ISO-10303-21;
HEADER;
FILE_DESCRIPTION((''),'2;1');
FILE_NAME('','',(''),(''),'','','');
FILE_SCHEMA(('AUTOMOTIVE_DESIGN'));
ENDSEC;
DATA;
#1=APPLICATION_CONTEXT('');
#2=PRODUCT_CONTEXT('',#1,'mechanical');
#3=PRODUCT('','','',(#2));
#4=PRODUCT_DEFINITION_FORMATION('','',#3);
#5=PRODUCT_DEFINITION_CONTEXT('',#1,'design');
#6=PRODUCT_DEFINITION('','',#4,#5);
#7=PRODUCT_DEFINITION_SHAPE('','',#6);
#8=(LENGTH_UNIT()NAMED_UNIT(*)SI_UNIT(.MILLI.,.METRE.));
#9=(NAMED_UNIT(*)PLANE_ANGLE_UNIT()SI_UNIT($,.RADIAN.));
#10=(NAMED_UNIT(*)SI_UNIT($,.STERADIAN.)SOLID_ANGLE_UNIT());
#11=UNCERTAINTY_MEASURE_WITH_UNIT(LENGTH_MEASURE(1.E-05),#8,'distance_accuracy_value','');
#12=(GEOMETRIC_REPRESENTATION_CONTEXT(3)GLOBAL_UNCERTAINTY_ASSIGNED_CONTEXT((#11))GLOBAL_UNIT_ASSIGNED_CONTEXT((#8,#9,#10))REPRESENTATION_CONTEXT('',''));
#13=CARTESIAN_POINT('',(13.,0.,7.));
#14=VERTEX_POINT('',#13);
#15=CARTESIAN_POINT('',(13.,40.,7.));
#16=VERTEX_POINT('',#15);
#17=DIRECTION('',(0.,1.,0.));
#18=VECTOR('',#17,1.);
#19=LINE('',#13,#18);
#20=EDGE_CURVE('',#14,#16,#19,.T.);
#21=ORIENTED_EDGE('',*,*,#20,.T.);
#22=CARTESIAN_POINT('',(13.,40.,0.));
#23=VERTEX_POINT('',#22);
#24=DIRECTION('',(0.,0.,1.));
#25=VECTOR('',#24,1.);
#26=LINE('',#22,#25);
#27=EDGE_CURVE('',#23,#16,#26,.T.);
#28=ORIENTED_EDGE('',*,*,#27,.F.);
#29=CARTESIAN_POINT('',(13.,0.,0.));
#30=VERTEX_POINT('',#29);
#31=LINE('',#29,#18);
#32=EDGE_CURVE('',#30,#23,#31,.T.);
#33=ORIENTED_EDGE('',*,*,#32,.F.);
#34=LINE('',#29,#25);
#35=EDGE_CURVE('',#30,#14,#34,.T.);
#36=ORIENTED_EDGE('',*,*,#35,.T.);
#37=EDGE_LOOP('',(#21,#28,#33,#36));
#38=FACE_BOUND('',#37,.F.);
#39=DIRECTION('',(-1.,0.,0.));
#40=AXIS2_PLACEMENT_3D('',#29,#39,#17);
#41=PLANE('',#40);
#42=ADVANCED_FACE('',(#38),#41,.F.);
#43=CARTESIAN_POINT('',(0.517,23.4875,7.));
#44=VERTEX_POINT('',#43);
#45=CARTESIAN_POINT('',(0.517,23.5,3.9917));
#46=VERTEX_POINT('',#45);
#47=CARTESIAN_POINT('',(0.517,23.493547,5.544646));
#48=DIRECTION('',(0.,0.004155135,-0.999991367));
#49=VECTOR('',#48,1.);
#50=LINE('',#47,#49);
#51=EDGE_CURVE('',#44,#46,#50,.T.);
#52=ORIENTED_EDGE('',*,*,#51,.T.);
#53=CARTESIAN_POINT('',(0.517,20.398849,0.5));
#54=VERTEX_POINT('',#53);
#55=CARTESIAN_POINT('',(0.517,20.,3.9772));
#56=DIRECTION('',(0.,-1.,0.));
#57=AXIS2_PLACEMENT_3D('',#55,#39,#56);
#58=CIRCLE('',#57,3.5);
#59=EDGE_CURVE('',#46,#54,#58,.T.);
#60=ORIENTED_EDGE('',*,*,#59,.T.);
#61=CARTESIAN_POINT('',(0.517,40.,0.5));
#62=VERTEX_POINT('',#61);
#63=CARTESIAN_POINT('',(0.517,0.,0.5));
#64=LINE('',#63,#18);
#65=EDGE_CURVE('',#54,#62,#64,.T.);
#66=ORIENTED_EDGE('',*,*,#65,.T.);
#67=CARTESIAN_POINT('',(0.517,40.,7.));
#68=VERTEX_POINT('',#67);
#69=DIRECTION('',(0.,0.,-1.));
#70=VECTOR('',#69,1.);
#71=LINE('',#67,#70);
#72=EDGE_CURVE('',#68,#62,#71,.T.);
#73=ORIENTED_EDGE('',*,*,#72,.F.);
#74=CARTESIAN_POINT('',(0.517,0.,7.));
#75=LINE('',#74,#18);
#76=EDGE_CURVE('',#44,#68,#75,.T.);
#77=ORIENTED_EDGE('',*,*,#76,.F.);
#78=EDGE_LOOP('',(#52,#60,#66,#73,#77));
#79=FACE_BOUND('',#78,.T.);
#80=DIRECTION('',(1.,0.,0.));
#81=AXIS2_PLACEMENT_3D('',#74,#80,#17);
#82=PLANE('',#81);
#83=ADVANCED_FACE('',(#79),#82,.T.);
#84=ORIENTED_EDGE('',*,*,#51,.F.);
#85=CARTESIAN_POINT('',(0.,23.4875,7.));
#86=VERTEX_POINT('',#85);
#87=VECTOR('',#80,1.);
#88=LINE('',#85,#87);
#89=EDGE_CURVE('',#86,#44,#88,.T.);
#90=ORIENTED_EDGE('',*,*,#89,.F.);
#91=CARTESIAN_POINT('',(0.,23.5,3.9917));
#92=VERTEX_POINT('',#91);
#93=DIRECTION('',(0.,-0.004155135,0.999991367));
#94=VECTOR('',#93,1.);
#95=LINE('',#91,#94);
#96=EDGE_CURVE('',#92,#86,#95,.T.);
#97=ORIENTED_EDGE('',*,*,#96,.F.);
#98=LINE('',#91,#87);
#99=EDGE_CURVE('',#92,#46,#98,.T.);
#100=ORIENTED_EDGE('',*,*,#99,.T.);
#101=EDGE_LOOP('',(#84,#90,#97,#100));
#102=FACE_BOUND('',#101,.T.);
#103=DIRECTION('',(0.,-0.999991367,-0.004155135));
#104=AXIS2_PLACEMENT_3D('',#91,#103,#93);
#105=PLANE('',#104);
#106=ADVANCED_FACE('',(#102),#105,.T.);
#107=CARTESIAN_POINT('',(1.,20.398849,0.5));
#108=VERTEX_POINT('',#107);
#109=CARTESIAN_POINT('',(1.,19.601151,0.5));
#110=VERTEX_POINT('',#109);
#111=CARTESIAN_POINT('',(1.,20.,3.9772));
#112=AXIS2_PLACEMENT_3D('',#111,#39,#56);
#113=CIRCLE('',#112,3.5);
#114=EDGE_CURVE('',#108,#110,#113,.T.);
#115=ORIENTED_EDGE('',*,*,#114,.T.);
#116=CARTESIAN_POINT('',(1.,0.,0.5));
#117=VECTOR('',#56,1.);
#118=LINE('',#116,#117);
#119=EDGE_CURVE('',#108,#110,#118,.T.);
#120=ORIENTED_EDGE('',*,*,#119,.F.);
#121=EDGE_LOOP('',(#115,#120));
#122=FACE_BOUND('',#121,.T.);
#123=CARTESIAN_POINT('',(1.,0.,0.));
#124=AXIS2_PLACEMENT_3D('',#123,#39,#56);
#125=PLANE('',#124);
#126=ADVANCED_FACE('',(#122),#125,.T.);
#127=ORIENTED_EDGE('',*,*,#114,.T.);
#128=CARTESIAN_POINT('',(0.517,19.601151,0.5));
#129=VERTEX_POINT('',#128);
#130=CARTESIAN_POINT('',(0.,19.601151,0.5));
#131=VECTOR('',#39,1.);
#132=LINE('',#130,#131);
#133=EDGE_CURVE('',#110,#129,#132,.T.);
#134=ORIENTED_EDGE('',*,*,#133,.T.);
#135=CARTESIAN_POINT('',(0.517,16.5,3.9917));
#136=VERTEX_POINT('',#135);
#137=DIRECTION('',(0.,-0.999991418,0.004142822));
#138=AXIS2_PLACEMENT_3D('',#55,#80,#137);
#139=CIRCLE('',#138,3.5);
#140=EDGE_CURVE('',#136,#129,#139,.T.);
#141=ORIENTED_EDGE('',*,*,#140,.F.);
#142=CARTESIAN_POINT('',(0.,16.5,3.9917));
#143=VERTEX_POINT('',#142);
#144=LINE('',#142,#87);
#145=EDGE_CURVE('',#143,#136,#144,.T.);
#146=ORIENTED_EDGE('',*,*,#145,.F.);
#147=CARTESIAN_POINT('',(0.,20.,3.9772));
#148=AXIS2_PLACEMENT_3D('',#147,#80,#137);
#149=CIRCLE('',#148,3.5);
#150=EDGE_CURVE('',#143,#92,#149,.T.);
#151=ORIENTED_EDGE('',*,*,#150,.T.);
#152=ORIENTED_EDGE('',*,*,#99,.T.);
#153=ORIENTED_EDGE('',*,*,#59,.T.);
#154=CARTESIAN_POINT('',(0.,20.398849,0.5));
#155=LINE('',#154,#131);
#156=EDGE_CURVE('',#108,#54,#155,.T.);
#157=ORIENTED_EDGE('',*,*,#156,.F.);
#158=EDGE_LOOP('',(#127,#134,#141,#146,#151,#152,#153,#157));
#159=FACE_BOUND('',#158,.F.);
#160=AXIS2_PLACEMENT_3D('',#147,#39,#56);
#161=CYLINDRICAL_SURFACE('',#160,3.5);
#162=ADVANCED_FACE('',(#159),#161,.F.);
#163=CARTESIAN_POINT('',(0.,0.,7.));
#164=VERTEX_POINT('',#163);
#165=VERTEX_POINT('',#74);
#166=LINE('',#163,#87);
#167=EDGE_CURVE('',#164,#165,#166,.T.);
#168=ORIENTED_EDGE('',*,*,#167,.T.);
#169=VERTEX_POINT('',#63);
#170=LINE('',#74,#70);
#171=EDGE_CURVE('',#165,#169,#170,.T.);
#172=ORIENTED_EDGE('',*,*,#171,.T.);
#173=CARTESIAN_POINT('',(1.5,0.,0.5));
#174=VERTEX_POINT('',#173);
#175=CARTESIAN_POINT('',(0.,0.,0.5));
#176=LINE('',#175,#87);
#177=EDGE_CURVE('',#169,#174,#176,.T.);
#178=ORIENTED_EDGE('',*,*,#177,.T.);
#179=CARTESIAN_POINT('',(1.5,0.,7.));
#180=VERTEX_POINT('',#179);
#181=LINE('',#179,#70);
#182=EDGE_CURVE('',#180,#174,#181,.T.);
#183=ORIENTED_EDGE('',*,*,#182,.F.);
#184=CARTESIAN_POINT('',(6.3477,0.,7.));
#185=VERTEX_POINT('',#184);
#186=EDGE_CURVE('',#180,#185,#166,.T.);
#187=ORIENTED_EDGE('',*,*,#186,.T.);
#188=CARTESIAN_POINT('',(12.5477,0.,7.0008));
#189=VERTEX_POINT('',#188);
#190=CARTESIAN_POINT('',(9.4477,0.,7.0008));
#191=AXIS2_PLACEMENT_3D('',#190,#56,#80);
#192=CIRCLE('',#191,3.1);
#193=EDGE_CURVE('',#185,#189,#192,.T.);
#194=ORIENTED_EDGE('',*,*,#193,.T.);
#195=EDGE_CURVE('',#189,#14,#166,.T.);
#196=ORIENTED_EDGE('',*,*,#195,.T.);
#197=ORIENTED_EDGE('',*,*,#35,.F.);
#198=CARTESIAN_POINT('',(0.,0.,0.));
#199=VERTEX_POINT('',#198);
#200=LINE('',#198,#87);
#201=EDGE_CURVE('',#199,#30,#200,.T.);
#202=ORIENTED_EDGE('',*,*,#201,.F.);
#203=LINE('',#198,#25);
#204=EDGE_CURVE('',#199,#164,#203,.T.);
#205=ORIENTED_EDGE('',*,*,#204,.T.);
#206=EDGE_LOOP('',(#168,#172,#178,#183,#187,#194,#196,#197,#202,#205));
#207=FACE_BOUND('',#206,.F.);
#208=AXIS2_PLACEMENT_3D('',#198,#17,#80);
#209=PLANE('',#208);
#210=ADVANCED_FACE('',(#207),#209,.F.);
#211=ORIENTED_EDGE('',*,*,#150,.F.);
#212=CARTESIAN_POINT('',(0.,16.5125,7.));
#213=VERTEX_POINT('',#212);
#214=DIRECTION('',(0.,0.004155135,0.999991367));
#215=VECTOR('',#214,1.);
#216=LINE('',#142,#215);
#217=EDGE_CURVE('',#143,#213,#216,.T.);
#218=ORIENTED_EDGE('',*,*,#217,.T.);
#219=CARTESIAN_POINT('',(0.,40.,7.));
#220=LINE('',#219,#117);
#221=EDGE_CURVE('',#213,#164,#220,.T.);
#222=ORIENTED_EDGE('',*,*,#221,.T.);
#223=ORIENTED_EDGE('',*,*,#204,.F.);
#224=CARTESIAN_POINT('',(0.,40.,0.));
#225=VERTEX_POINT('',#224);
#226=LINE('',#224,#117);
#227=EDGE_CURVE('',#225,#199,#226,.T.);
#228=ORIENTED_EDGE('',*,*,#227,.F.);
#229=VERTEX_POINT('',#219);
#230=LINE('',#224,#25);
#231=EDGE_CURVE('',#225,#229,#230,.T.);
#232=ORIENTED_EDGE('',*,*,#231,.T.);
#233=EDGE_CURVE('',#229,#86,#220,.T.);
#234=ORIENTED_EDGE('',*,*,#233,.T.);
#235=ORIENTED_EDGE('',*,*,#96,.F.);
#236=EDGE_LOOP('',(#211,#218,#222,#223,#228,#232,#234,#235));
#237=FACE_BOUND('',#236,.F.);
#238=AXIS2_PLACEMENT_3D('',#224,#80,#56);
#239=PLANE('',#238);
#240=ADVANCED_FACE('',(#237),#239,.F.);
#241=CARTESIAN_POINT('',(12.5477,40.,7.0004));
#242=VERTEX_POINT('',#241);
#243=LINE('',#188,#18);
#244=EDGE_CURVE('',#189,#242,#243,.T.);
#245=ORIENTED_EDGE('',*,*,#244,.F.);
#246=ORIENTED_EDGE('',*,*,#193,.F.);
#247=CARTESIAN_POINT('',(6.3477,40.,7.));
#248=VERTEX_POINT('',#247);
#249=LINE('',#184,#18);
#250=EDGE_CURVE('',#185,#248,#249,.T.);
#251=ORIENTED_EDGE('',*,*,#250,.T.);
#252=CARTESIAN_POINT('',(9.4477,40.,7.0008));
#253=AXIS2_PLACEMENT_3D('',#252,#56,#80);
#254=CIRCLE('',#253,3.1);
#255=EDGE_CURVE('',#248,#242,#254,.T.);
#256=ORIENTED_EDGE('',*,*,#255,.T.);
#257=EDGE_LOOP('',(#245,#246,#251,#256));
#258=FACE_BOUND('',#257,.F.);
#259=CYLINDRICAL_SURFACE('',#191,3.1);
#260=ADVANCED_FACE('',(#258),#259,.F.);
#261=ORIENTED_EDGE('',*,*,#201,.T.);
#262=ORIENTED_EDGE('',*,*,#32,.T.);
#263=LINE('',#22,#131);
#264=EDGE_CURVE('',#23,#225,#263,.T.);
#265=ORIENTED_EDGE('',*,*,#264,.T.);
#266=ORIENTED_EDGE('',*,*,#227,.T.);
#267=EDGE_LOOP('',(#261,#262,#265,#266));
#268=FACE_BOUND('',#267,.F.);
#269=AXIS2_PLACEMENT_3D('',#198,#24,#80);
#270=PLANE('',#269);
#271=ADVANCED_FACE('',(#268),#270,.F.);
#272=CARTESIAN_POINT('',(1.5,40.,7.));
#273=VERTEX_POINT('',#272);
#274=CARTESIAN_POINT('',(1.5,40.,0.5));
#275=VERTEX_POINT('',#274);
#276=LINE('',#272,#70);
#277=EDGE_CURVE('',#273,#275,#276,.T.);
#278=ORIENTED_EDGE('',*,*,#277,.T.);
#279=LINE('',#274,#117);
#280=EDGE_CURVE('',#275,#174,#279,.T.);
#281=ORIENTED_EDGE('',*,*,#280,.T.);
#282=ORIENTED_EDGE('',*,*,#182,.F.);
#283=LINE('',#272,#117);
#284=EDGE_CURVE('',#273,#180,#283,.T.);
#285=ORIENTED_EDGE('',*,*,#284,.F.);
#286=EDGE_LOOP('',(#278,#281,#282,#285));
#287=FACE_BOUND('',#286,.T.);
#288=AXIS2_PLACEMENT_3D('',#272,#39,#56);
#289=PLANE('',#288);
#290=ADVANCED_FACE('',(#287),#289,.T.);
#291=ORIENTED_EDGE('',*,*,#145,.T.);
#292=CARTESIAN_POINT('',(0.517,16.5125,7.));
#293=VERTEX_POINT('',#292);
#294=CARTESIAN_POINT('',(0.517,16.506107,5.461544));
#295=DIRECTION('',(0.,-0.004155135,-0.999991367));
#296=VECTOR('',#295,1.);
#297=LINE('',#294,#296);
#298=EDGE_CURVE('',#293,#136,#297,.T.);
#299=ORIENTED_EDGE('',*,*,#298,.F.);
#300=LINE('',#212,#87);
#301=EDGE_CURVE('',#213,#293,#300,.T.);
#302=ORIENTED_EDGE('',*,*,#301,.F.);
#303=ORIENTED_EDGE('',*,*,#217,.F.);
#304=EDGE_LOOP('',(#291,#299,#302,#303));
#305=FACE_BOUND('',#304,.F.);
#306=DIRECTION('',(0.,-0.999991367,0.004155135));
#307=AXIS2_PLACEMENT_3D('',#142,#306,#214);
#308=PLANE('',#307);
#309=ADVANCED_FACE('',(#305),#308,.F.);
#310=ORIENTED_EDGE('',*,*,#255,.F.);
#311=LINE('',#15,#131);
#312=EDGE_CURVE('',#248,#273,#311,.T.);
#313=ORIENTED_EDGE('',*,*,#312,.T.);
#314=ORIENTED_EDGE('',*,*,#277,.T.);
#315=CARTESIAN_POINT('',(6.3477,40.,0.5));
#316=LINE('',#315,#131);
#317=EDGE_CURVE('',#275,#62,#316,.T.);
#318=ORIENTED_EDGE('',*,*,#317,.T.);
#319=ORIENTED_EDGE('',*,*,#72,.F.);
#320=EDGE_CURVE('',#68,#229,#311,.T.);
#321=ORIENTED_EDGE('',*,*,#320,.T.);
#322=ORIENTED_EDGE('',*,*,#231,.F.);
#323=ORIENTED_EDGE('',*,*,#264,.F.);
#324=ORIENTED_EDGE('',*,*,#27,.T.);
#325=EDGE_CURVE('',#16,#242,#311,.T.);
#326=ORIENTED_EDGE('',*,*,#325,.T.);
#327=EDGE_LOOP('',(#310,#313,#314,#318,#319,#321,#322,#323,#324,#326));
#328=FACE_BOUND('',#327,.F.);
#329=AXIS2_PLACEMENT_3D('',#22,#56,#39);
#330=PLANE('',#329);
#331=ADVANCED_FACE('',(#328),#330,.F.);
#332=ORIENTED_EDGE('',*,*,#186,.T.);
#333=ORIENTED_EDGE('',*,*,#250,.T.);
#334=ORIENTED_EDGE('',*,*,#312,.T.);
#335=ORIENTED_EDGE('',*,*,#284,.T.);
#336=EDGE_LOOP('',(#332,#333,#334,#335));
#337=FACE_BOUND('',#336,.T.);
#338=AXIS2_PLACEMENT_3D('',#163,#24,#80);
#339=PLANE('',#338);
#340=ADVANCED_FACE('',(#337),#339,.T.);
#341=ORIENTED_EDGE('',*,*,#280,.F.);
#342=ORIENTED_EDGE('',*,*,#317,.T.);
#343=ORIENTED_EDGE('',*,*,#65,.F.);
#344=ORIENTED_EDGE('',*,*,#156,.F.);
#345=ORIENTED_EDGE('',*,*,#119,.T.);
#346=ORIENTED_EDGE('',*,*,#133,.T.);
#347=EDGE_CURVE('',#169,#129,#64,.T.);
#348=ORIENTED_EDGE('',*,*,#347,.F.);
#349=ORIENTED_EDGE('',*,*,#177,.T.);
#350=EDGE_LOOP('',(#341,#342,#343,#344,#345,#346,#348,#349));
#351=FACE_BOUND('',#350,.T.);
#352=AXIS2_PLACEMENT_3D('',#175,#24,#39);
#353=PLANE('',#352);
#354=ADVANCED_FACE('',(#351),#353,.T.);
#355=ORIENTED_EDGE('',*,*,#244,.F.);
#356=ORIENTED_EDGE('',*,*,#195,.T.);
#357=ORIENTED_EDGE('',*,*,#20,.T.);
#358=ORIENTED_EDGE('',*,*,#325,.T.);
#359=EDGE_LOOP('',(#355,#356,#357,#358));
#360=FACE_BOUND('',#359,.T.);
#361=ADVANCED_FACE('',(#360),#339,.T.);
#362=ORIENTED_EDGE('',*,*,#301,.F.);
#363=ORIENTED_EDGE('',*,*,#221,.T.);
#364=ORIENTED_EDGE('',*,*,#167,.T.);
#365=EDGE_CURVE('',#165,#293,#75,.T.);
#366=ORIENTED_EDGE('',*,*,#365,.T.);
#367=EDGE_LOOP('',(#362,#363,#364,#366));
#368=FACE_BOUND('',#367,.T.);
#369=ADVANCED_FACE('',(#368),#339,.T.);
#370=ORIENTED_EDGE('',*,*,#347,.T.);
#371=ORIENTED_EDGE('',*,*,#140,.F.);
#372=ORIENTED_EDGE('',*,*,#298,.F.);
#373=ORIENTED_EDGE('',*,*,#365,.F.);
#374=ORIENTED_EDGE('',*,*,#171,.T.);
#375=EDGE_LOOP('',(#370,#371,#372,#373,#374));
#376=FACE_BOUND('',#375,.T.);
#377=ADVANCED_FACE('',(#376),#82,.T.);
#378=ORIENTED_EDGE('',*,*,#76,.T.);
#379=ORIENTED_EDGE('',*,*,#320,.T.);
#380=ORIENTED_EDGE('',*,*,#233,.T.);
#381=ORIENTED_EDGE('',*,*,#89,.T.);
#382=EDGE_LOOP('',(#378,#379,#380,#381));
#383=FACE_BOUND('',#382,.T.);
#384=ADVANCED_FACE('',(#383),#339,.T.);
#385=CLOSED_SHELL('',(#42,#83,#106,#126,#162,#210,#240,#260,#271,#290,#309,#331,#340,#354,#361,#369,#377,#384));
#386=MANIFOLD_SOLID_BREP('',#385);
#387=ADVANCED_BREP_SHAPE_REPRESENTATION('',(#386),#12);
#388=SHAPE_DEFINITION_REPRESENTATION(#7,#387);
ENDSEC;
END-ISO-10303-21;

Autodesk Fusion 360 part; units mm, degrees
sketch "Sketch1" plane through (0, 0, 0) normal (0, 0, 1) x (1, 0, 0)
  line L0 (0, 0) -> (13, 0)
  line L1 (13, 0) -> (13, 40)
  line L2 (13, 40) -> (0, 40)
  line L3 (0, 40) -> (0, 0)
  dimension "d1" = 13
  dimension "d2" = 40
extrude "Extrude1" add sketch "Sketch1" along normal blind 7 and the other way blind 0
sketch "Sketch2" plane through (0, 0, 0) normal (0, -1, 0) x (1, 0, 0)
  line L0 (0, 0) -> (13, 0)
  line L1 (13, 0) -> (13, 7)
  line L2 (13, 7) -> (0, 7)
  line L3 (0, 7) -> (0, 0)
  circle A0 centre (9.4477, 7.0008) radius 3.1
  dimension "d5" = 6.2
extrude "Extrude2" cut sketch "Sketch2" against normal blind 41 contours L2 A0 picked at (8.7012, 5.7442)
sketch "Sketch4" plane through (0, 0, 7) normal (0, 0, 1) x (-1, 0, 0)
  line L0 (-6.3477, 0) -> (-6.3477, -40)
  line L1 (-6.3477, -40) -> (0, -40)
  line L2 (0, -40) -> (0, 0)
  line L3 (0, 0) -> (-6.3477, 0)
  line L4 (-0.517, -40) -> (-1.5, -40)
  line L5 (-1.5, -40) -> (-1.5, 0)
  line L6 (-1.5, 0) -> (-0.517, 0)
  line L7 (-0.517, 0) -> (-0.517, -40)
extrude "Extrude4" cut sketch "Sketch4" against normal blind 6.5 contours L1 L3 L4 L5 L6 L7
sketch "Sketch5" plane through (0, 0, 0) normal (-1, 0, 0) x (0, -1, 0)
  line L0 (-40, 0) -> (0, 0)
  line L1 (0, 0) -> (0, 7)
  line L2 (0, 7) -> (-40, 7)
  line L3 (-40, 7) -> (-40, 0)
  circle A0 centre (-20, 3.9772) radius 3.5
  line L4 (-23.5, 3.9917) -> (-23.4875, 7)
  line L5 (-16.5, 3.9917) -> (-16.5125, 7)
  dimension "d15" = 7
extrude "Extrude5" cut sketch "Sketch5" against normal blind 1 contours L2 A0 L4 | L2 A0 L5 | L2 A0 picked at (-20.0897, 4.8292)
